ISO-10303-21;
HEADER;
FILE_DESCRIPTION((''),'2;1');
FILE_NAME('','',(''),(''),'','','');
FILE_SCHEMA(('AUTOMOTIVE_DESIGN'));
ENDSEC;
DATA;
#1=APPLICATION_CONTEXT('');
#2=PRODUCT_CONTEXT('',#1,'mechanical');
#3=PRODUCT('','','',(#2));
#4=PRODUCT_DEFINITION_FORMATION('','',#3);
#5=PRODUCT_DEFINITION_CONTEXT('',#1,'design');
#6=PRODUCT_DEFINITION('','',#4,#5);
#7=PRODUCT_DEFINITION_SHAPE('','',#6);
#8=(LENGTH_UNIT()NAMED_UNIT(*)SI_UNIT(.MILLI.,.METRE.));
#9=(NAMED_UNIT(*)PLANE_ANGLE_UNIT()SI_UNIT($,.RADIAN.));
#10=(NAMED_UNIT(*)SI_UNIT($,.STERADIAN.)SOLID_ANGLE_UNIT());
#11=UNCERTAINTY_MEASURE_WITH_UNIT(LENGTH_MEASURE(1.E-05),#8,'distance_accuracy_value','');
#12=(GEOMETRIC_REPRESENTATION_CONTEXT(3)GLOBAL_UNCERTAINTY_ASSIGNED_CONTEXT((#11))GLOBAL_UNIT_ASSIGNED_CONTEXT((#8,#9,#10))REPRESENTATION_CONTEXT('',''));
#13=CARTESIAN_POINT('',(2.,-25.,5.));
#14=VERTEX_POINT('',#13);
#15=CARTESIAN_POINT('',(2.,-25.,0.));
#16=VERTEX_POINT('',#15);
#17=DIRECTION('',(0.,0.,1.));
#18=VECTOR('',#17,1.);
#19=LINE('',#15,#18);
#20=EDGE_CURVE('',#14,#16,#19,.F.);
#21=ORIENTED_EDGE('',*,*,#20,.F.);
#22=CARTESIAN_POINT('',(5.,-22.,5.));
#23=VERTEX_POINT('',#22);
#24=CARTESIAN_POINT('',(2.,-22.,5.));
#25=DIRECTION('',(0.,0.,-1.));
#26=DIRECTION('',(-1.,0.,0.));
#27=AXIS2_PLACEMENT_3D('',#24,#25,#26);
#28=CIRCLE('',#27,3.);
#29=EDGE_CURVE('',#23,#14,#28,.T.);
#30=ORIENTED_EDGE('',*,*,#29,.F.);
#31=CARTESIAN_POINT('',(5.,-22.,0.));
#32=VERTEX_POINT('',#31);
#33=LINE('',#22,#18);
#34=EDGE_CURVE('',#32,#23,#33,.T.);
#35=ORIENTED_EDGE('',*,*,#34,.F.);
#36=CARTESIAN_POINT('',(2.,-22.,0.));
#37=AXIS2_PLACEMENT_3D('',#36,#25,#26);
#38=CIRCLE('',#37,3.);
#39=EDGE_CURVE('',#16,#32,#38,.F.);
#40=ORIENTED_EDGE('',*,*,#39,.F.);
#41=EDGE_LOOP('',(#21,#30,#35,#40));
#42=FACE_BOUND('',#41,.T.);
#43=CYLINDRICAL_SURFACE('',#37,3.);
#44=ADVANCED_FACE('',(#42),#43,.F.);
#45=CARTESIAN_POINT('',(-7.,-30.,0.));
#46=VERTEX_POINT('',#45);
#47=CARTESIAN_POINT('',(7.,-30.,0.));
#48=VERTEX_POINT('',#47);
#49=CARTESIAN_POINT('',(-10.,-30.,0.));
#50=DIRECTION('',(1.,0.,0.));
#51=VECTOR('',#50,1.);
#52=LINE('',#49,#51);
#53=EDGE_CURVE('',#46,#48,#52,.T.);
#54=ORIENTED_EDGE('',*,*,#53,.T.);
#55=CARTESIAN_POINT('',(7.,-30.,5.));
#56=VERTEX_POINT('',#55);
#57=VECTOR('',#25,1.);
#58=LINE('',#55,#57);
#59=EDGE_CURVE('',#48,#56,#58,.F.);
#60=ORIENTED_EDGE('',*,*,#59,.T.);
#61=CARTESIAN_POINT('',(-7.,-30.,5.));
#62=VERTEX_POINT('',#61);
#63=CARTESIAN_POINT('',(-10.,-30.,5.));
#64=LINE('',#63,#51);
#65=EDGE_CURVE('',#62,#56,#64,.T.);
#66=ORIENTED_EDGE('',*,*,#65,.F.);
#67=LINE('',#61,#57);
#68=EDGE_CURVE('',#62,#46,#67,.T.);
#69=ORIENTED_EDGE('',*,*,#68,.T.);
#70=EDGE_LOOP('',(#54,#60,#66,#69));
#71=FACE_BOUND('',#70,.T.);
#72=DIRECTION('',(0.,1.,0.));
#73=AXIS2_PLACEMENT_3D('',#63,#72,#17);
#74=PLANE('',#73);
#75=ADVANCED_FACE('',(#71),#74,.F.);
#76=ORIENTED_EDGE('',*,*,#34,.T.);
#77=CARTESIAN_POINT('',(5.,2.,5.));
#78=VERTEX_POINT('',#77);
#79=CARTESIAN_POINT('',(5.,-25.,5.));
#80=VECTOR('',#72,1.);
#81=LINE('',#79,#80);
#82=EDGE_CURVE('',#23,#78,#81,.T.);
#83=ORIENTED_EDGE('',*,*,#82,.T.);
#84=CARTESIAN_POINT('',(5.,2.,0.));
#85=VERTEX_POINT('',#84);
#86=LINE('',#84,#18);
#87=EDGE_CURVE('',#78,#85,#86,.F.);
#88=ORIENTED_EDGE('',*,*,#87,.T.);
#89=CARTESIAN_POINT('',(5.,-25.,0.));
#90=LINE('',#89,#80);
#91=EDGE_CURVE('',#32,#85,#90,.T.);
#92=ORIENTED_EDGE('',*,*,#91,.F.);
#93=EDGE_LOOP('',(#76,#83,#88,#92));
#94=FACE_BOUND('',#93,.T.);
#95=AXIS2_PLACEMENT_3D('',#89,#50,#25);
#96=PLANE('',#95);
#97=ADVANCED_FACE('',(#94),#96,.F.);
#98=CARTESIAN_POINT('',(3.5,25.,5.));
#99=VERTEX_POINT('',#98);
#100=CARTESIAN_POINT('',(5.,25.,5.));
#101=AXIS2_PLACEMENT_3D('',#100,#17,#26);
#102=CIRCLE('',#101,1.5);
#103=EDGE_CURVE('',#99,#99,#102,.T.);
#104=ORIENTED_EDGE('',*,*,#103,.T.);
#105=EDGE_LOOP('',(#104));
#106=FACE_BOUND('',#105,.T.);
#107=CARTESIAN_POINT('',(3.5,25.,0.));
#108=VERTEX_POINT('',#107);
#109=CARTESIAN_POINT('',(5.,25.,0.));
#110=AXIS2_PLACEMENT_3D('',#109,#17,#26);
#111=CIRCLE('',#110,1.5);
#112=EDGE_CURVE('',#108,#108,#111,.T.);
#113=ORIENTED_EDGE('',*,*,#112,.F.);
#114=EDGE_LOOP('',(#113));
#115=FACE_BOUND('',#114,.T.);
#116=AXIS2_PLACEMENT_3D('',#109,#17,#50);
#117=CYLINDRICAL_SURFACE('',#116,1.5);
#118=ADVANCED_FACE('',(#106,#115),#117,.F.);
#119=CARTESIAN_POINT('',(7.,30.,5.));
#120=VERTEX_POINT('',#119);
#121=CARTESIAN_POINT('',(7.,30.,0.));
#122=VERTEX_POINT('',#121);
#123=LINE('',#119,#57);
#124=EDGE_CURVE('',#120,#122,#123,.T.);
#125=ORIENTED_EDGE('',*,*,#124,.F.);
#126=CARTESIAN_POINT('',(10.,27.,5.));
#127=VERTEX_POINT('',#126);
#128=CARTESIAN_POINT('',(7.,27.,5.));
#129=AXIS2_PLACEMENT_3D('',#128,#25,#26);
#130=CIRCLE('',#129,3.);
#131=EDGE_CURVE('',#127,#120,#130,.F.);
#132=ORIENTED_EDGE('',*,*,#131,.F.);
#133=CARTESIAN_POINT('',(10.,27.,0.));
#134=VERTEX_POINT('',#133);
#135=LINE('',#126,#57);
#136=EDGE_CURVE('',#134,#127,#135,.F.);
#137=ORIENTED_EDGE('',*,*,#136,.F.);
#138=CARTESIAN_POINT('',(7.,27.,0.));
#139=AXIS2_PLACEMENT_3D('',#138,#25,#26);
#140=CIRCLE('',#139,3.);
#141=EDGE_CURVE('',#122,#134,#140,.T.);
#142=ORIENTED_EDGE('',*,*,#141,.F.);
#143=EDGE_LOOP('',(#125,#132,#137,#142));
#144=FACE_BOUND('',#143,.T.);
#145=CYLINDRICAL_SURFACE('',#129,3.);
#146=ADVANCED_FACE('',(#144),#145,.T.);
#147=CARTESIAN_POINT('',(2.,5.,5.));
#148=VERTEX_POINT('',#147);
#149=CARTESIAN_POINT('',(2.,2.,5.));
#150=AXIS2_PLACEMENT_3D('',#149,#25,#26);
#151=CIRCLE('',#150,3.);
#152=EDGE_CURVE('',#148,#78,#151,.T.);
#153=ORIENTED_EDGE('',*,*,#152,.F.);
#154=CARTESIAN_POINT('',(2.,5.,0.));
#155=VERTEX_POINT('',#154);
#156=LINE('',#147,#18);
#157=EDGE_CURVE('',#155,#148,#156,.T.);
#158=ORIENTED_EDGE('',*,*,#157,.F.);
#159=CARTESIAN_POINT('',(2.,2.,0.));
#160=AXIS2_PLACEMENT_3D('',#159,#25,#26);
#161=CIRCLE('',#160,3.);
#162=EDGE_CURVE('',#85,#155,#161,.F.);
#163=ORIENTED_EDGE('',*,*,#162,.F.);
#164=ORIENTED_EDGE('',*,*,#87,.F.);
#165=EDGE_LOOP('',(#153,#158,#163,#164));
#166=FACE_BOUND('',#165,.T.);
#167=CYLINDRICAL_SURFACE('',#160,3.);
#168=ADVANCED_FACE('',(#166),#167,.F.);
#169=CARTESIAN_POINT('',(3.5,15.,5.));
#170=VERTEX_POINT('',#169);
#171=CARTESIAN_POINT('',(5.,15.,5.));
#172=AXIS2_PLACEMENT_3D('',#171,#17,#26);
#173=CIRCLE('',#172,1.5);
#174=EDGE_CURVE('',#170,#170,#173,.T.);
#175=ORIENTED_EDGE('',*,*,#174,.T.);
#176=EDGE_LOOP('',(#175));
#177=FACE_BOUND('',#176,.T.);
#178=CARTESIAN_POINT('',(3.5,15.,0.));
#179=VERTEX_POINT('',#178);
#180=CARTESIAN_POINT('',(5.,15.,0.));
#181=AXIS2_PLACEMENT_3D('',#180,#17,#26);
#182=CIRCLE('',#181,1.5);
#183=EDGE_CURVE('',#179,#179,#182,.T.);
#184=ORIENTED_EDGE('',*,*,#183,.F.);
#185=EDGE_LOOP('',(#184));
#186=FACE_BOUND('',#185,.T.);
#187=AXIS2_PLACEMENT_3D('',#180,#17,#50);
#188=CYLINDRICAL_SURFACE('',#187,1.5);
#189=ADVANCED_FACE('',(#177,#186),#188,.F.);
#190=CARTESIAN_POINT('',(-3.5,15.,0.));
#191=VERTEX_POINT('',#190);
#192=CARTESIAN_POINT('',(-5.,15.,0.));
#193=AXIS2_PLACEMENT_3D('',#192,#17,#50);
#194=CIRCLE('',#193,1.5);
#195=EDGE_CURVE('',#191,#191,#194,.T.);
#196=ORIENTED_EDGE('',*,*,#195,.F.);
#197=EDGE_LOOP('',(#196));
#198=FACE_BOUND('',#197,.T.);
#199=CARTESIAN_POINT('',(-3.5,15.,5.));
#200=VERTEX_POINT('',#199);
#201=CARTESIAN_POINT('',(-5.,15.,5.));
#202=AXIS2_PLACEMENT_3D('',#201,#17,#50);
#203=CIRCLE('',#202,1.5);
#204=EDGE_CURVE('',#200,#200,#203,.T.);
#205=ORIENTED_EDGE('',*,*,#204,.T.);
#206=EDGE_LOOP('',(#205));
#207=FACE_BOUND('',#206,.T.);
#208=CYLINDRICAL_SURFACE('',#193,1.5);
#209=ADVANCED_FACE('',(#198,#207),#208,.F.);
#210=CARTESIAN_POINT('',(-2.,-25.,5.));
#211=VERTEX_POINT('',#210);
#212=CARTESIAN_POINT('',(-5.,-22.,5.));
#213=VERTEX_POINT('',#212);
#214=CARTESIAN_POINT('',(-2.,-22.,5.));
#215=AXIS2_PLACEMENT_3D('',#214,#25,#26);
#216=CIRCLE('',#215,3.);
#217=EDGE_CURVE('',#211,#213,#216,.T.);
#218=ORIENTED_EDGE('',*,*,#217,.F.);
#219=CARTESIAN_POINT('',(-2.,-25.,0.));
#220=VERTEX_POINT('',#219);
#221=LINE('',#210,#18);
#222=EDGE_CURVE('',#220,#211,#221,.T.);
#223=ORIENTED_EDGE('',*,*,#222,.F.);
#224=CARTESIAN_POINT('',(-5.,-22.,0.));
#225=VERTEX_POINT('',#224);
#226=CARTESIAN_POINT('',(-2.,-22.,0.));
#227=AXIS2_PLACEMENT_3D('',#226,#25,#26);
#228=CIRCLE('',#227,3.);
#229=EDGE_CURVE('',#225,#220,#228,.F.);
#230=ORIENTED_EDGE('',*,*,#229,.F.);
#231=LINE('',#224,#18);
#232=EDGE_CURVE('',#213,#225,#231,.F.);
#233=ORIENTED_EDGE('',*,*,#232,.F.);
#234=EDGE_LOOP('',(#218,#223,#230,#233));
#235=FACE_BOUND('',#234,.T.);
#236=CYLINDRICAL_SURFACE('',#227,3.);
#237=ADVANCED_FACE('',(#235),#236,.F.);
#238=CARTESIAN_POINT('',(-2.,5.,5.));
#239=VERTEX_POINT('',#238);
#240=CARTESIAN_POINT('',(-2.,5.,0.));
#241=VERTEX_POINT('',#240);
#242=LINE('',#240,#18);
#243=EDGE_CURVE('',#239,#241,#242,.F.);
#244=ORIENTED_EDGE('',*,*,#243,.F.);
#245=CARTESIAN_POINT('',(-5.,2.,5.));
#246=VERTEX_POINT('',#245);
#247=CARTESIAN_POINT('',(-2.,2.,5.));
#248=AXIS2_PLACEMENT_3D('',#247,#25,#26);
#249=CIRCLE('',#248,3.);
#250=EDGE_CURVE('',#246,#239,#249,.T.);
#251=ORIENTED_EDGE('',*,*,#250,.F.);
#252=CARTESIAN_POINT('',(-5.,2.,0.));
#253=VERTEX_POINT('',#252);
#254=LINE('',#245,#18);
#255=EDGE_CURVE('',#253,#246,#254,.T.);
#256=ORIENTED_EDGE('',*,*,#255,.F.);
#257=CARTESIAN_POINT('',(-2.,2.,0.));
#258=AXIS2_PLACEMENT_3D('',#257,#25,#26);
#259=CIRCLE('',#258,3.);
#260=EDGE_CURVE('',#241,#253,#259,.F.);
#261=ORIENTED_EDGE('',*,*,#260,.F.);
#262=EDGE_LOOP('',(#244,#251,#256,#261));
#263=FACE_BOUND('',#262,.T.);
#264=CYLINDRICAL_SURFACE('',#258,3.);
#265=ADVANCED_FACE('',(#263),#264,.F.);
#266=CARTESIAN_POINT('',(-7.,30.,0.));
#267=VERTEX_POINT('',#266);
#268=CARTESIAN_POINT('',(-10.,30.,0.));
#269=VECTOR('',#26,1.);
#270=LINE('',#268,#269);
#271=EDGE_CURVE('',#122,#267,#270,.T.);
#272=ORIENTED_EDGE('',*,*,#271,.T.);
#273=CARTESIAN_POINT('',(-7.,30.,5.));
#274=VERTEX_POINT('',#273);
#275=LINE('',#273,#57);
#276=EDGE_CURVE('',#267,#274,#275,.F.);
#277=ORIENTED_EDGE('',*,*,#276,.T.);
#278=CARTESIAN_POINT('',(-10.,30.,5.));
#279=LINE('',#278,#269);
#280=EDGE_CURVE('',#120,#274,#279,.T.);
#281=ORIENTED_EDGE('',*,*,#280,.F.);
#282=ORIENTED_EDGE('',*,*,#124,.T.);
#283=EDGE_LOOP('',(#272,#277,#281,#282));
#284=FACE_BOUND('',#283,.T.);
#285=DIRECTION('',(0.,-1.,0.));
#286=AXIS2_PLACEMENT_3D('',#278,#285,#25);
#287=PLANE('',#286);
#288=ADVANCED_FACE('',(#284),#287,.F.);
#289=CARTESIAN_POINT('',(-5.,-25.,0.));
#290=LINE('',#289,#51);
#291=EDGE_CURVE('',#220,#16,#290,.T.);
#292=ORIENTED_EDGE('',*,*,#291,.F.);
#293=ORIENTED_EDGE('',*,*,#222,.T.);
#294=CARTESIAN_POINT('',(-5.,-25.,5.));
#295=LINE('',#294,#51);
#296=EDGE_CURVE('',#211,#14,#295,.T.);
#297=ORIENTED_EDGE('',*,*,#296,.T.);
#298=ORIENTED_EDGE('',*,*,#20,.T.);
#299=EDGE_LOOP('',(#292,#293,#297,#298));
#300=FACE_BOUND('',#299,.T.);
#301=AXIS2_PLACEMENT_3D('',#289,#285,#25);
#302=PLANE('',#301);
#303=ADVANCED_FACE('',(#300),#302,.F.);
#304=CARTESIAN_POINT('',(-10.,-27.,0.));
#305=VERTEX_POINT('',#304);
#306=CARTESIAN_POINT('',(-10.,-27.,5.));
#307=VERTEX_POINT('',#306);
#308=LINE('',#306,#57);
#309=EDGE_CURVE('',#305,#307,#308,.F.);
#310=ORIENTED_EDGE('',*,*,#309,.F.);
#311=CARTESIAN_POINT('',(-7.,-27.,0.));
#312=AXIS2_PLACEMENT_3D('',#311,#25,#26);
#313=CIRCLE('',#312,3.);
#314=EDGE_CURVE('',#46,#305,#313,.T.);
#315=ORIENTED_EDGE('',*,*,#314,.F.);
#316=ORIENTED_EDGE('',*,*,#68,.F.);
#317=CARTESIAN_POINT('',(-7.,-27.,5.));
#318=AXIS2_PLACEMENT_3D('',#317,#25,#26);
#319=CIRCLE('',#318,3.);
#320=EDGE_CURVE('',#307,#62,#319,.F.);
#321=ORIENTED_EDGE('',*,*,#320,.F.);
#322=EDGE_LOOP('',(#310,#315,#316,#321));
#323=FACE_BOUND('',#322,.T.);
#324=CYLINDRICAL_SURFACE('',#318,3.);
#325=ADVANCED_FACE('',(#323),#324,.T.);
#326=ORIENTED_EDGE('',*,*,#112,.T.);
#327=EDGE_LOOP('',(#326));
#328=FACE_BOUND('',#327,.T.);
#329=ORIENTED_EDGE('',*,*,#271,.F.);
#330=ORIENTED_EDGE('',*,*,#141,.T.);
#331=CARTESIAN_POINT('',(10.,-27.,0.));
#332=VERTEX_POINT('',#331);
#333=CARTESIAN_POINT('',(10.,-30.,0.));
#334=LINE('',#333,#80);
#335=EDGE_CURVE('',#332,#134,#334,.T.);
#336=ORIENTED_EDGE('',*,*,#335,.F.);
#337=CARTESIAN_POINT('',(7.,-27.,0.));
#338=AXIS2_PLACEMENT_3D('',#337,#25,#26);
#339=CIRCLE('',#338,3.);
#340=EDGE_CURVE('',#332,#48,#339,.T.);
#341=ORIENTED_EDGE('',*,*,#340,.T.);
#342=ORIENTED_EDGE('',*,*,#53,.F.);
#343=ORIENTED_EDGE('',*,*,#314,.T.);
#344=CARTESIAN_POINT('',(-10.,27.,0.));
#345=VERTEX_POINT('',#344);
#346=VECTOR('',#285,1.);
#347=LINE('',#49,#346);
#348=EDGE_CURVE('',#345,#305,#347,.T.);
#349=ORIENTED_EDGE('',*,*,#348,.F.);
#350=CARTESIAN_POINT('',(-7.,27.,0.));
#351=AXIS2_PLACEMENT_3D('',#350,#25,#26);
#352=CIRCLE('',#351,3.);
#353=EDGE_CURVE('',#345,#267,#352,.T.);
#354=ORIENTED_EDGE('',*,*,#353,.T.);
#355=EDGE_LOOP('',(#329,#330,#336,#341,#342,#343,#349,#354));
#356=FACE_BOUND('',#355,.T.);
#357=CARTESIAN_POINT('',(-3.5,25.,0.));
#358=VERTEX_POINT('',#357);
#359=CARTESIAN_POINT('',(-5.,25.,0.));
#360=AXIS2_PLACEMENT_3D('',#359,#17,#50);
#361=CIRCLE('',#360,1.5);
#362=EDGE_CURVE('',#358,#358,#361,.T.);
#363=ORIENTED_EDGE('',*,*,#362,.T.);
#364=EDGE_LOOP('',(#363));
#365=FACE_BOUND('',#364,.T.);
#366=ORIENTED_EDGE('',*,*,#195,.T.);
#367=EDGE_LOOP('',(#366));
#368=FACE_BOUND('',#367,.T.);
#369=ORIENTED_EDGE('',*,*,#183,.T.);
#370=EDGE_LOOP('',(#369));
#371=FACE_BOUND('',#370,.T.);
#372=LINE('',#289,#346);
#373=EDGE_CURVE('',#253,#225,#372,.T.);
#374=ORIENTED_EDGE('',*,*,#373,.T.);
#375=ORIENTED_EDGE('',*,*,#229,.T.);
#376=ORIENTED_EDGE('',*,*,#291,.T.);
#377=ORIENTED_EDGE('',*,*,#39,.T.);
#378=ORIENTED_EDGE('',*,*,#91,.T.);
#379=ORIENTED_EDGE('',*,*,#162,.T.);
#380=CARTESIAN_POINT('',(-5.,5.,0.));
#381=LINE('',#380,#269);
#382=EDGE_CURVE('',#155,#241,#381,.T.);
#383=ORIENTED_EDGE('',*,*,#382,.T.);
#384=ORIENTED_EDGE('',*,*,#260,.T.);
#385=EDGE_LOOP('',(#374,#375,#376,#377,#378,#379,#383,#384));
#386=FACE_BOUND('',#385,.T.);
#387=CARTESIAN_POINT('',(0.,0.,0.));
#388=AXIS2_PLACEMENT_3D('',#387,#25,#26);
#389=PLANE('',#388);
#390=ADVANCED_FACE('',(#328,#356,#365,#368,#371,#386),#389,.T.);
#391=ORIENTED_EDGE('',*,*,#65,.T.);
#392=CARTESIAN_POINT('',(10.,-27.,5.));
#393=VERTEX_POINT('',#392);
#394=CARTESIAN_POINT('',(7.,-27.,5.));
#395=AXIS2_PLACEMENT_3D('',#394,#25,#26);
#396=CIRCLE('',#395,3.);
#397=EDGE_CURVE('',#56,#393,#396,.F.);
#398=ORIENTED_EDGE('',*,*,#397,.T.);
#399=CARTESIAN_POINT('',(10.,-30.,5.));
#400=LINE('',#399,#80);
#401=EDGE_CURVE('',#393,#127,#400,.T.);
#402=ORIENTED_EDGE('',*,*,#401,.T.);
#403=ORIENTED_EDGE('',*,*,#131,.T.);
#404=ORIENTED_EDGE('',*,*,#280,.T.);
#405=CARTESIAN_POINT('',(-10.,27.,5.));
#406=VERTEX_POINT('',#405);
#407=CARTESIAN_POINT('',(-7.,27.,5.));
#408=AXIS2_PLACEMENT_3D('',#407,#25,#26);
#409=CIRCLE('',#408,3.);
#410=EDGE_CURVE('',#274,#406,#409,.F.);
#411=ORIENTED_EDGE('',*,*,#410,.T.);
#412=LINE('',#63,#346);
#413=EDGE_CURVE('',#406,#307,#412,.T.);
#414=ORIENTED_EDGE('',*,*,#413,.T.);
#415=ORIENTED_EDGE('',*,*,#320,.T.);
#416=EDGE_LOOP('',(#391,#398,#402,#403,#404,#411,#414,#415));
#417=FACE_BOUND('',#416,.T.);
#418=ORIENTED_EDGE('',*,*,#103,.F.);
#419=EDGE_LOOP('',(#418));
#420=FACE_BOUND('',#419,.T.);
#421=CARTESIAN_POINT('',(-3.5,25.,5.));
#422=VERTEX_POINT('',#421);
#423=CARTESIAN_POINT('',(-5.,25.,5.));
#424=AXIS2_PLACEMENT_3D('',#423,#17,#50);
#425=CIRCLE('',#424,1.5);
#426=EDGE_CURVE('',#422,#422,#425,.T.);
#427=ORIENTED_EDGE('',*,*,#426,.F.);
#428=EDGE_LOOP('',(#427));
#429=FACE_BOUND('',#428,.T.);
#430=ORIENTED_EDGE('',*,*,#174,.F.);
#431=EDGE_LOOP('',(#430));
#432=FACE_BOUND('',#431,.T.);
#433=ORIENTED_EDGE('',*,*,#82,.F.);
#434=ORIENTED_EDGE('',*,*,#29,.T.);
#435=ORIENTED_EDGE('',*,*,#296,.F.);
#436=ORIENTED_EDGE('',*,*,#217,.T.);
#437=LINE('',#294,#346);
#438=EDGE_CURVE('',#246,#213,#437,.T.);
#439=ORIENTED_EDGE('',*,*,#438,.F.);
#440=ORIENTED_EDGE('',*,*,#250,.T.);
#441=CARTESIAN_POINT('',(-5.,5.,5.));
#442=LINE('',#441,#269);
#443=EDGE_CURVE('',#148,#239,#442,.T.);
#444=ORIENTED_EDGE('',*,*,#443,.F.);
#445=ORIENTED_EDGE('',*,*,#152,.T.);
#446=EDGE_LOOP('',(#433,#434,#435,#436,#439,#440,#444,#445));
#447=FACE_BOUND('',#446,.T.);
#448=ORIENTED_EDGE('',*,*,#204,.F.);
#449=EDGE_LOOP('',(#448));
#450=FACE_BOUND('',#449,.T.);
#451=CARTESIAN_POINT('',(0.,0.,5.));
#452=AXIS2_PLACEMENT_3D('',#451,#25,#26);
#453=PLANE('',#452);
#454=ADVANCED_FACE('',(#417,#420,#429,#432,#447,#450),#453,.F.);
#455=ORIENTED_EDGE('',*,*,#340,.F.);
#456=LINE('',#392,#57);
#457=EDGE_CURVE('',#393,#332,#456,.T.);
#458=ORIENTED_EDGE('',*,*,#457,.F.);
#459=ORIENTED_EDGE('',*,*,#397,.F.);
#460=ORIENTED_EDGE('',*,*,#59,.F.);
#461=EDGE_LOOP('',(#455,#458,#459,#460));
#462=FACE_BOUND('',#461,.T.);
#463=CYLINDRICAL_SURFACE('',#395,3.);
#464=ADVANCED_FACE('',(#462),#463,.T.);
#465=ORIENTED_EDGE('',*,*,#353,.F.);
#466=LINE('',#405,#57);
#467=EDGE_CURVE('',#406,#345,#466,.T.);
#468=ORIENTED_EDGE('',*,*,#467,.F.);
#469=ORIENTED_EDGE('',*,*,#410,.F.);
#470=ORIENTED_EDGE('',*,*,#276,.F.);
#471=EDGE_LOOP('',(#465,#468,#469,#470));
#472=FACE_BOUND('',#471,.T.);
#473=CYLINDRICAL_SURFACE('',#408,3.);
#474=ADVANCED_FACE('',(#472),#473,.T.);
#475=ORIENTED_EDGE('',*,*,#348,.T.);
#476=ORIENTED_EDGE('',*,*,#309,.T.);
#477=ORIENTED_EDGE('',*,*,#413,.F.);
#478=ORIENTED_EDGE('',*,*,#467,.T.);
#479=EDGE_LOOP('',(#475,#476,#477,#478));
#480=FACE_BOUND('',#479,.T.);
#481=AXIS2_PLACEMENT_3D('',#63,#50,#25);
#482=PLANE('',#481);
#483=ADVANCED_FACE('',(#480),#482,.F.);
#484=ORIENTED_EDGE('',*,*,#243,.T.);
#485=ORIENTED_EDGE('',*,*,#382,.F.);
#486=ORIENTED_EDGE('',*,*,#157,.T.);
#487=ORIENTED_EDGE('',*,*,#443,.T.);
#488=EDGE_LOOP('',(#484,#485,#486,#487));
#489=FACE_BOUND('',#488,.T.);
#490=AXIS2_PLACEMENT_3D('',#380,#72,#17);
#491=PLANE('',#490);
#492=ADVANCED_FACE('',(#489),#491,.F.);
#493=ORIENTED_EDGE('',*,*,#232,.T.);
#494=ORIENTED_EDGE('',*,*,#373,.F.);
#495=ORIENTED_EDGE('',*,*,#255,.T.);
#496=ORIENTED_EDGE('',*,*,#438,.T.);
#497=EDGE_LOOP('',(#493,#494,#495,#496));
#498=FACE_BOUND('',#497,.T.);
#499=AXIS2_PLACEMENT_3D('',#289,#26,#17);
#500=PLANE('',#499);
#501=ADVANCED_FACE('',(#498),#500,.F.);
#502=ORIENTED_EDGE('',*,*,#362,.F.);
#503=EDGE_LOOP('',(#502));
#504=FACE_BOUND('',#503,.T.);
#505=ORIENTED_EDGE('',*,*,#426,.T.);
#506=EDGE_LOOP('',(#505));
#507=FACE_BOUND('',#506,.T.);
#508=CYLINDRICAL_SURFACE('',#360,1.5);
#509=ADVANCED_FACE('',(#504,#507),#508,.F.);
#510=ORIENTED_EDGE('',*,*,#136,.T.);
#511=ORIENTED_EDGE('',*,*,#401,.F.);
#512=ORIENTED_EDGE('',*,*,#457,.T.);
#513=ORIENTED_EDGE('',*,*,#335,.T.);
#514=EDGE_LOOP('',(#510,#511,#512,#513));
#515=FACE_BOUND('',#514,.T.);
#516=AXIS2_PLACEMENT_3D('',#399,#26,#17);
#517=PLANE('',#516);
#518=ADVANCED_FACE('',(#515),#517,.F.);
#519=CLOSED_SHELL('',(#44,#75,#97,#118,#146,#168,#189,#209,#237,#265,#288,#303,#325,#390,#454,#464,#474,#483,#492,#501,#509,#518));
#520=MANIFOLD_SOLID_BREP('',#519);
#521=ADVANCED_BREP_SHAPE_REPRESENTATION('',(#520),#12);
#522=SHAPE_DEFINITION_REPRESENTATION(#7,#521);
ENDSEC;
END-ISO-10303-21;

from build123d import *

# Parameters (mm, degrees)
SKETCH_1_W          = 20
SKETCH_1_H          = 60
EXTRUDE_1_DEPTH     = 5
SKETCH_2_R          = 1.5
CUT_EXTRUDE_1_DEPTH = 33.015621187
SKETCH_3_W          = 10
SKETCH_3_H          = 30
CUT_EXTRUDE_2_DEPTH = 33.015621187
FILLET_1_R          = 3


with BuildPart() as part:
    # 草图1 → 凸台-拉伸1 (new body)
    with BuildSketch(Plane.XY):
        Rectangle(SKETCH_1_W, SKETCH_1_H)
    extrude(amount=EXTRUDE_1_DEPTH)

    # 草图2 → 切除-拉伸1 (cut, through all)
    with BuildSketch(Plane.XY.offset(5)):
        with Locations((-5, 25)):
            Circle(SKETCH_2_R)
        with Locations((-5, 15)):
            Circle(SKETCH_2_R)
        with Locations(Location((5, 15, 0), (0, 0, 180))):
            Circle(SKETCH_2_R)
        with Locations(Location((5, 25, 0), (0, 0, 180))):
            Circle(SKETCH_2_R)
    extrude(amount=-CUT_EXTRUDE_1_DEPTH, mode=Mode.SUBTRACT)

    # 草图3 → 切除-拉伸2 (cut, through all)
    with BuildSketch(Plane.XY.offset(5)):
        with Locations((0, -10)):
            Rectangle(SKETCH_3_W, SKETCH_3_H)
    extrude(amount=-CUT_EXTRUDE_2_DEPTH, mode=Mode.SUBTRACT)

    # 圆角1
    fillet_1_edges = [part.edges().sort_by_distance(p)[0] for p in [
        (5, 5, 2.5),
        (5, -25, 2.5),
        (-5, -25, 2.5),
        (-5, 5, 2.5),
        (10, -30, 2.5),
        (-10, -30, 2.5),
        (-10, 30, 2.5),
        (10, 30, 2.5),
    ]]
    fillet(fillet_1_edges, radius=FILLET_1_R)


solid = part.part
